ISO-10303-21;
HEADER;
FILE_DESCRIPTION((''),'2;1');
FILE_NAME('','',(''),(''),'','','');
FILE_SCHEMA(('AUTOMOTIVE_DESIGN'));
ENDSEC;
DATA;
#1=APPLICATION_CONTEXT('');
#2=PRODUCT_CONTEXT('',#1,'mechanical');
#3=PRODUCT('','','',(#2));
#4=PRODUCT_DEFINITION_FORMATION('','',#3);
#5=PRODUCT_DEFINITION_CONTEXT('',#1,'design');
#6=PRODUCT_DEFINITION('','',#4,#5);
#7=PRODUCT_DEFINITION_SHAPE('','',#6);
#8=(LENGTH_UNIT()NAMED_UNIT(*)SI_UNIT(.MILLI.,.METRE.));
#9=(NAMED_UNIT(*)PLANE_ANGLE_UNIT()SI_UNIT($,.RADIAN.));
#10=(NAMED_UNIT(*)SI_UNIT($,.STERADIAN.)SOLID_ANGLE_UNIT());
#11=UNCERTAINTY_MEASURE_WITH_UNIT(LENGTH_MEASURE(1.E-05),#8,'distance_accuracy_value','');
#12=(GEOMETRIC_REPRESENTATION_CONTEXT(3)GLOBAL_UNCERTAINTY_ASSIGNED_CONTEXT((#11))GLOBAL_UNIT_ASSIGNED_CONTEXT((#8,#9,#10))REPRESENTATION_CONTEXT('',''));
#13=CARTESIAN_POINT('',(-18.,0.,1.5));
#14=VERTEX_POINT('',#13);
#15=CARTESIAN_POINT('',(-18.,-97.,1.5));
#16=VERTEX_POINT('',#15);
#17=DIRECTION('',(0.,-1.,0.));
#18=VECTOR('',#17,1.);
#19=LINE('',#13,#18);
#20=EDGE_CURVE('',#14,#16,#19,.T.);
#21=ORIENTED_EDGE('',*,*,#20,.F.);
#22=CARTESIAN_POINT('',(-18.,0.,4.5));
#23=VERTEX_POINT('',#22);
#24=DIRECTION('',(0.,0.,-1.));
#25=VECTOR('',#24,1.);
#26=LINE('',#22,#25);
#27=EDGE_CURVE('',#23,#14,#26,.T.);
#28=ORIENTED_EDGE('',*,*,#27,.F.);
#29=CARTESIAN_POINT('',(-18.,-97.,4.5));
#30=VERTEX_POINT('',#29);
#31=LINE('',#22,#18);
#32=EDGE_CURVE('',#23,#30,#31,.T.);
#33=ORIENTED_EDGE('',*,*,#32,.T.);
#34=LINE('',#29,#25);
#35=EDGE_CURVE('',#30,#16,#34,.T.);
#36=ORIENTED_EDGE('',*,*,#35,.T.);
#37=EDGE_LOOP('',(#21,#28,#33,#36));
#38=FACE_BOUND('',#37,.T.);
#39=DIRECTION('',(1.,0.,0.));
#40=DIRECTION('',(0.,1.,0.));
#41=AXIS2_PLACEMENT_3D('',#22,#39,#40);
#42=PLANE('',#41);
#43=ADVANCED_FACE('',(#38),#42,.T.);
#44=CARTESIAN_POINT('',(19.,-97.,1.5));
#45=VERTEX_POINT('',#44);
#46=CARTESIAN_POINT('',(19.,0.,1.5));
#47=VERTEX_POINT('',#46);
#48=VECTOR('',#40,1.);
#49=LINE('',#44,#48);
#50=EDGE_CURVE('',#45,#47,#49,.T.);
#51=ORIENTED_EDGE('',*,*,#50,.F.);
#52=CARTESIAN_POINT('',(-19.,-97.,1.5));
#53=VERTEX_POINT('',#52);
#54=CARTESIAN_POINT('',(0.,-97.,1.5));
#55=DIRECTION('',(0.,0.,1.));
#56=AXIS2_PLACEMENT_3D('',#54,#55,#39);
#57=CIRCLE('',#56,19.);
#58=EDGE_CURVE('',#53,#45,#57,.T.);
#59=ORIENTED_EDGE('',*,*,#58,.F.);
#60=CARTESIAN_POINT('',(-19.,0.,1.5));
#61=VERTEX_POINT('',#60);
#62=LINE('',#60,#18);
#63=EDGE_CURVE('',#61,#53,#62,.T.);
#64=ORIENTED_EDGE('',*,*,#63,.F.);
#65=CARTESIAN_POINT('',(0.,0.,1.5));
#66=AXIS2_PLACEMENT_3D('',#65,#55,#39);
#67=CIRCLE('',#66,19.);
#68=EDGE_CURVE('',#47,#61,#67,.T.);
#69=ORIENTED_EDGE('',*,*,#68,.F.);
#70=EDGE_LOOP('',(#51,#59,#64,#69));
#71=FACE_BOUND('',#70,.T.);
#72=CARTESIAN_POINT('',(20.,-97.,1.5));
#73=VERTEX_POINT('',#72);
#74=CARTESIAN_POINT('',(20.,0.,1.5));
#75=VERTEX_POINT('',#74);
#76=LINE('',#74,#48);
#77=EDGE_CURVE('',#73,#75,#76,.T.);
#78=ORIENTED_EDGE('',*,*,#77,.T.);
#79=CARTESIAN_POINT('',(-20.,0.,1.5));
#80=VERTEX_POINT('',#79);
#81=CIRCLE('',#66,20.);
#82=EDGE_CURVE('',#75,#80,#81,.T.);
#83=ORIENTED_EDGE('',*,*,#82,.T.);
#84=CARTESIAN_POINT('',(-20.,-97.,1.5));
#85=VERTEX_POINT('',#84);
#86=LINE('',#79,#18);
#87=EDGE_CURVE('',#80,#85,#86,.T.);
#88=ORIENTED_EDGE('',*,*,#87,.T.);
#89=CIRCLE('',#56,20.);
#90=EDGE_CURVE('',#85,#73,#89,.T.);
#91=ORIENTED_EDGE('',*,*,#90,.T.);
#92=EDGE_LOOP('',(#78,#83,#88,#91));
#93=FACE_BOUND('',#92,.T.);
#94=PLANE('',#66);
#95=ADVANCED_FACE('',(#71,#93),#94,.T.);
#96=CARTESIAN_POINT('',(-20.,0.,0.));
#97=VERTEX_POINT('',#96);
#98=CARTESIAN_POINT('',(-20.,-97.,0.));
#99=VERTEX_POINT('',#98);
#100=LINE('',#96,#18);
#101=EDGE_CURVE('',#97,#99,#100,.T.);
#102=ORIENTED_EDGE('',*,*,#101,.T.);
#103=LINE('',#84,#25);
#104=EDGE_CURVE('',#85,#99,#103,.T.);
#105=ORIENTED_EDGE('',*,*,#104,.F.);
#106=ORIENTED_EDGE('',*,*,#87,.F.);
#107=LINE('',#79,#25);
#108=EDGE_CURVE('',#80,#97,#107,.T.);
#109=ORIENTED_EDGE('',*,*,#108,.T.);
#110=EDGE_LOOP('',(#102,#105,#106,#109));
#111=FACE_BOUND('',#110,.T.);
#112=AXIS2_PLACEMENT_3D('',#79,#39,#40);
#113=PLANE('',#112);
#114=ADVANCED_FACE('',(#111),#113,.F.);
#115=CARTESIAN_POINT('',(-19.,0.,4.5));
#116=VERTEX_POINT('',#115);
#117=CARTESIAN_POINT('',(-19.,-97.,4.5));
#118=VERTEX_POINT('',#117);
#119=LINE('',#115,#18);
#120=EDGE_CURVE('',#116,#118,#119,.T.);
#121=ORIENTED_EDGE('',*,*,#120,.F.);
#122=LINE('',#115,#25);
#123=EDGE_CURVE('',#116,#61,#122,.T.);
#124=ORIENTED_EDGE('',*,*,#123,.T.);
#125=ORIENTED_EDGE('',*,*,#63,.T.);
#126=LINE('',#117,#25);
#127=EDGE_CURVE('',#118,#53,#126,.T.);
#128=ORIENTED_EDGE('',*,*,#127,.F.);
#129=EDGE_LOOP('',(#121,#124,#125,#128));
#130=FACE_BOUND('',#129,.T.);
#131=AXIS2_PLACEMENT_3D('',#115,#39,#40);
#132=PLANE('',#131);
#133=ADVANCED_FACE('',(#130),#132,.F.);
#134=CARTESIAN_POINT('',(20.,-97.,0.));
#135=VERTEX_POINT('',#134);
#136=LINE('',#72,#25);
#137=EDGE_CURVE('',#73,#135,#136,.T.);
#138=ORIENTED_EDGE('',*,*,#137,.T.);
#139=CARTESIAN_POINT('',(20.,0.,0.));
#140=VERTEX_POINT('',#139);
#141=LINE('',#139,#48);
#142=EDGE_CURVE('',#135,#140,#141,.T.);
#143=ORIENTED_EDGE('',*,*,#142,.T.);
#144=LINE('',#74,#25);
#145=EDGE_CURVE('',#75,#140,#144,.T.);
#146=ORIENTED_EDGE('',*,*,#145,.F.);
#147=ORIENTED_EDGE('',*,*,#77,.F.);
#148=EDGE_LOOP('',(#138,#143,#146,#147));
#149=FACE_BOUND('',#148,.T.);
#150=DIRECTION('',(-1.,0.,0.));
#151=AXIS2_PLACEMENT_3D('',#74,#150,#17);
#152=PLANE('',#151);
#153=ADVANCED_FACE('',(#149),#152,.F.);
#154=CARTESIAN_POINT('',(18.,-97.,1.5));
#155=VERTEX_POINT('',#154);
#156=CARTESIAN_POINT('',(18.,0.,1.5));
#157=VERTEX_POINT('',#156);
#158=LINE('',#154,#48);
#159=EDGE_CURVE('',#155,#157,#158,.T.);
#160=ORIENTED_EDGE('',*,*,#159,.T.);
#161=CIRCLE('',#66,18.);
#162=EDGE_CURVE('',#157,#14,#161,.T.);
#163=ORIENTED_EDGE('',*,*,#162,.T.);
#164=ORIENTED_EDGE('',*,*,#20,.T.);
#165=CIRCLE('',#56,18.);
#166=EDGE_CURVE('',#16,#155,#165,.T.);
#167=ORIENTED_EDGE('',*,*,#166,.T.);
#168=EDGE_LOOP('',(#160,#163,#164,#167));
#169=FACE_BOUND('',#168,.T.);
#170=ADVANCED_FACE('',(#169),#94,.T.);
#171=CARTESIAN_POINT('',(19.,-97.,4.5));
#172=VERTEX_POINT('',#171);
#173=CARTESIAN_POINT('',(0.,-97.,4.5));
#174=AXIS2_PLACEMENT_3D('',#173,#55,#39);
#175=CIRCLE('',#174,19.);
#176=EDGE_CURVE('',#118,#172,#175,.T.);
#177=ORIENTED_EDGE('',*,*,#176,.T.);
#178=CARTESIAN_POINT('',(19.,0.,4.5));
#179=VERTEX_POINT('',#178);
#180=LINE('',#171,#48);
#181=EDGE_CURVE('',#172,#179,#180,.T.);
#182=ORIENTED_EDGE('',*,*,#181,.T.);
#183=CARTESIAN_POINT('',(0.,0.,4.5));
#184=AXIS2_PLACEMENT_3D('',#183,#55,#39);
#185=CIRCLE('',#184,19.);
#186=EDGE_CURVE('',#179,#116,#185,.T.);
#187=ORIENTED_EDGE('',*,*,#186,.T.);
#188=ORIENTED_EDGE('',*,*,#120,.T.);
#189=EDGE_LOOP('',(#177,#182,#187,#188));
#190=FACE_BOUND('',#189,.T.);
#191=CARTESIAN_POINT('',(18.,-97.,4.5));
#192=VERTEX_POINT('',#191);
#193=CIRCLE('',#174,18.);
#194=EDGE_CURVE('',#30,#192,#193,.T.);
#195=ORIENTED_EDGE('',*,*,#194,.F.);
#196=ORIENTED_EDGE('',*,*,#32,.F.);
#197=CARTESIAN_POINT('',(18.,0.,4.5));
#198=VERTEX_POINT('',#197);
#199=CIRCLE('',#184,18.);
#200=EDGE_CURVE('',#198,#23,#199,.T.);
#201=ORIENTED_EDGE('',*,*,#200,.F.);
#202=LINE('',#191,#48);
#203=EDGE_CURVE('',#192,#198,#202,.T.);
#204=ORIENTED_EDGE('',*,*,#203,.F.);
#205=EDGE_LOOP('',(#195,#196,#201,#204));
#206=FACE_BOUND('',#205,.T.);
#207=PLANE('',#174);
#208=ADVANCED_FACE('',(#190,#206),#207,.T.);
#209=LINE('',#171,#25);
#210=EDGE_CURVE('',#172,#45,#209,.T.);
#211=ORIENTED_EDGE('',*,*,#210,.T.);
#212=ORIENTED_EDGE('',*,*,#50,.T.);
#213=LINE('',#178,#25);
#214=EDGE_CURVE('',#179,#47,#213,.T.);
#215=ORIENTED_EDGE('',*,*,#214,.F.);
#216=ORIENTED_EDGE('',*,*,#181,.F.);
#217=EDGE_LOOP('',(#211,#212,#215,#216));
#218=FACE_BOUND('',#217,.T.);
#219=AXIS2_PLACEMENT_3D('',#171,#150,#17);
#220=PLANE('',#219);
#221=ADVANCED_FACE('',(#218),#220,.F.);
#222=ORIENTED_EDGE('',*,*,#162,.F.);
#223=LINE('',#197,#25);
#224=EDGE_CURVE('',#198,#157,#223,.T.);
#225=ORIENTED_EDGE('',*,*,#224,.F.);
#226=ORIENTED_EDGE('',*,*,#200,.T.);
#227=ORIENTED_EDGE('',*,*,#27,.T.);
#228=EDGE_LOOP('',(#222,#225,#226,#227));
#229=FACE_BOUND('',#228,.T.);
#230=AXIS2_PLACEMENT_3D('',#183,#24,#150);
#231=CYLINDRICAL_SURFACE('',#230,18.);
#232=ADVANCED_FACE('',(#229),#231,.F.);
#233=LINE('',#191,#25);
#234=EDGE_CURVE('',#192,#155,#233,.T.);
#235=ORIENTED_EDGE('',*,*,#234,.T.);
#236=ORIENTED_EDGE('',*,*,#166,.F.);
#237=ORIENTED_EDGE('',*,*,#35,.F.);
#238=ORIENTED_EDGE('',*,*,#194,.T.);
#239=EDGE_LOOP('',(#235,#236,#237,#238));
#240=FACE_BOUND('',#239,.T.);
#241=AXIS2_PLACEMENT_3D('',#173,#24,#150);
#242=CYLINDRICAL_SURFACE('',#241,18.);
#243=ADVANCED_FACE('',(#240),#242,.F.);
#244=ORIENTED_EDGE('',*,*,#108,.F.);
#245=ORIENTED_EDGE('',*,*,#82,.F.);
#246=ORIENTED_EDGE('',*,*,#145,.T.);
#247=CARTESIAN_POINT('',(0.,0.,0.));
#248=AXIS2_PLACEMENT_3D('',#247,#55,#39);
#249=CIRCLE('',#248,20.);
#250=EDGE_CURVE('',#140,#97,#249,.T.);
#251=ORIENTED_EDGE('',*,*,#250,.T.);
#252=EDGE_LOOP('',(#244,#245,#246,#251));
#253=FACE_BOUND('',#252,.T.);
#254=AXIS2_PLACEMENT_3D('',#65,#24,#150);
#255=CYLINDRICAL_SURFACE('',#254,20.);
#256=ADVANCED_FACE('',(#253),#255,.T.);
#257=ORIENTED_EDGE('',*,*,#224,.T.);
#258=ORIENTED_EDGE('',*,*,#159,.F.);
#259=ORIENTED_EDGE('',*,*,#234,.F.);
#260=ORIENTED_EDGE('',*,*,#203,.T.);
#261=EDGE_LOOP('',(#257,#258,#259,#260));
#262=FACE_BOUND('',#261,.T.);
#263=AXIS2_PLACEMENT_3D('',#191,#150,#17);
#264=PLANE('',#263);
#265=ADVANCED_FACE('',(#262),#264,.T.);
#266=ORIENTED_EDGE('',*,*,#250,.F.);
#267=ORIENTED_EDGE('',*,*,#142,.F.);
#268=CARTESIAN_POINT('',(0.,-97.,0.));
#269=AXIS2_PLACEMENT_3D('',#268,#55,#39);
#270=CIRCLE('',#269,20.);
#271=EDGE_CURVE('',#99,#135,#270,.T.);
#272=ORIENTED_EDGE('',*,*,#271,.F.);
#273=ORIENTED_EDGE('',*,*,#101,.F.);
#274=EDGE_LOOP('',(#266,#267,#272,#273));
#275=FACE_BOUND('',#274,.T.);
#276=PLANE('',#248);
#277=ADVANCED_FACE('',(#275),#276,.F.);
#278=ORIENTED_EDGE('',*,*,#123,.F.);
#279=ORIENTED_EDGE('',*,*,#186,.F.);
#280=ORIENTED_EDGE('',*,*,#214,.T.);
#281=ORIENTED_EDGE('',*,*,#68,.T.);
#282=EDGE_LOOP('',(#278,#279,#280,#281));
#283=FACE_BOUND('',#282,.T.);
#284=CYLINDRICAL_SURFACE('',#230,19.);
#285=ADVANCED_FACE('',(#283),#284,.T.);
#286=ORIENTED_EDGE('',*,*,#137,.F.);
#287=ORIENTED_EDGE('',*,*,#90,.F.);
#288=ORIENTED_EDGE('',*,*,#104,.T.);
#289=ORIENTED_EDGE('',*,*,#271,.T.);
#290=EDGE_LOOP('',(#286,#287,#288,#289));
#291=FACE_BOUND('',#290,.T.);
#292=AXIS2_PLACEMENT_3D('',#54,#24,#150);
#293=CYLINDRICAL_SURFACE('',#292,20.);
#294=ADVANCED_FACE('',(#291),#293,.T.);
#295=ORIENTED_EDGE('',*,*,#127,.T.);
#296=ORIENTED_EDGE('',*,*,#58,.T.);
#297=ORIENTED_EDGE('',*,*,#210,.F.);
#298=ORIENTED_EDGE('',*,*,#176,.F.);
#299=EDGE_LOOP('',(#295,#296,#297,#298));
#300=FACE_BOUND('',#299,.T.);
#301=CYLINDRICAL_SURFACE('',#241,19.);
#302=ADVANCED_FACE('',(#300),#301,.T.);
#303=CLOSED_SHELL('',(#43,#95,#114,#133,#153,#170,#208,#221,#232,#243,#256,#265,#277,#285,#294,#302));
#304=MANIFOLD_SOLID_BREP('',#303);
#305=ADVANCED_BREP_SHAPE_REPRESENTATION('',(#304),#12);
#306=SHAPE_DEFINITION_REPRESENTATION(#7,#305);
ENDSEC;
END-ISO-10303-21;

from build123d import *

# Parameters (mm, degrees)
BOSS_EXTRUDE1_DEPTH = 1.5
BOSS_EXTRUDE2_DEPTH = 3


with BuildPart() as part:
    # Sketch3 → Boss-Extrude1 (new body)
    with BuildSketch(Plane.XY):
        with BuildLine():
            Line((-20, 0), (-20, -97))
            ThreePointArc((-20, -97), (0, -117), (20, -97))
            Line((20, -97), (20, 0))
            ThreePointArc((20, 0), (0, 20), (-20, 0))
        make_face()
    extrude(amount=BOSS_EXTRUDE1_DEPTH)

    # Sketch5 → Boss-Extrude2 (add)
    with BuildSketch(Plane.XY.offset(1.5)):
        with BuildLine():
            Line((-19, 0), (-19, -97))
            ThreePointArc((-19, -97), (0, -116), (19, -97))
            Line((19, -97), (19, 0))
            ThreePointArc((19, 0), (0, 19), (-19, 0))
        make_face()
        with BuildLine():
            Line((-18, 0), (-18, -97))
            ThreePointArc((-18, -97), (0, -115), (18, -97))
            Line((18, -97), (18, 0))
            ThreePointArc((18, 0), (0, 18), (-18, 0))
        make_face(mode=Mode.SUBTRACT)
    extrude(amount=BOSS_EXTRUDE2_DEPTH)


solid = part.part
